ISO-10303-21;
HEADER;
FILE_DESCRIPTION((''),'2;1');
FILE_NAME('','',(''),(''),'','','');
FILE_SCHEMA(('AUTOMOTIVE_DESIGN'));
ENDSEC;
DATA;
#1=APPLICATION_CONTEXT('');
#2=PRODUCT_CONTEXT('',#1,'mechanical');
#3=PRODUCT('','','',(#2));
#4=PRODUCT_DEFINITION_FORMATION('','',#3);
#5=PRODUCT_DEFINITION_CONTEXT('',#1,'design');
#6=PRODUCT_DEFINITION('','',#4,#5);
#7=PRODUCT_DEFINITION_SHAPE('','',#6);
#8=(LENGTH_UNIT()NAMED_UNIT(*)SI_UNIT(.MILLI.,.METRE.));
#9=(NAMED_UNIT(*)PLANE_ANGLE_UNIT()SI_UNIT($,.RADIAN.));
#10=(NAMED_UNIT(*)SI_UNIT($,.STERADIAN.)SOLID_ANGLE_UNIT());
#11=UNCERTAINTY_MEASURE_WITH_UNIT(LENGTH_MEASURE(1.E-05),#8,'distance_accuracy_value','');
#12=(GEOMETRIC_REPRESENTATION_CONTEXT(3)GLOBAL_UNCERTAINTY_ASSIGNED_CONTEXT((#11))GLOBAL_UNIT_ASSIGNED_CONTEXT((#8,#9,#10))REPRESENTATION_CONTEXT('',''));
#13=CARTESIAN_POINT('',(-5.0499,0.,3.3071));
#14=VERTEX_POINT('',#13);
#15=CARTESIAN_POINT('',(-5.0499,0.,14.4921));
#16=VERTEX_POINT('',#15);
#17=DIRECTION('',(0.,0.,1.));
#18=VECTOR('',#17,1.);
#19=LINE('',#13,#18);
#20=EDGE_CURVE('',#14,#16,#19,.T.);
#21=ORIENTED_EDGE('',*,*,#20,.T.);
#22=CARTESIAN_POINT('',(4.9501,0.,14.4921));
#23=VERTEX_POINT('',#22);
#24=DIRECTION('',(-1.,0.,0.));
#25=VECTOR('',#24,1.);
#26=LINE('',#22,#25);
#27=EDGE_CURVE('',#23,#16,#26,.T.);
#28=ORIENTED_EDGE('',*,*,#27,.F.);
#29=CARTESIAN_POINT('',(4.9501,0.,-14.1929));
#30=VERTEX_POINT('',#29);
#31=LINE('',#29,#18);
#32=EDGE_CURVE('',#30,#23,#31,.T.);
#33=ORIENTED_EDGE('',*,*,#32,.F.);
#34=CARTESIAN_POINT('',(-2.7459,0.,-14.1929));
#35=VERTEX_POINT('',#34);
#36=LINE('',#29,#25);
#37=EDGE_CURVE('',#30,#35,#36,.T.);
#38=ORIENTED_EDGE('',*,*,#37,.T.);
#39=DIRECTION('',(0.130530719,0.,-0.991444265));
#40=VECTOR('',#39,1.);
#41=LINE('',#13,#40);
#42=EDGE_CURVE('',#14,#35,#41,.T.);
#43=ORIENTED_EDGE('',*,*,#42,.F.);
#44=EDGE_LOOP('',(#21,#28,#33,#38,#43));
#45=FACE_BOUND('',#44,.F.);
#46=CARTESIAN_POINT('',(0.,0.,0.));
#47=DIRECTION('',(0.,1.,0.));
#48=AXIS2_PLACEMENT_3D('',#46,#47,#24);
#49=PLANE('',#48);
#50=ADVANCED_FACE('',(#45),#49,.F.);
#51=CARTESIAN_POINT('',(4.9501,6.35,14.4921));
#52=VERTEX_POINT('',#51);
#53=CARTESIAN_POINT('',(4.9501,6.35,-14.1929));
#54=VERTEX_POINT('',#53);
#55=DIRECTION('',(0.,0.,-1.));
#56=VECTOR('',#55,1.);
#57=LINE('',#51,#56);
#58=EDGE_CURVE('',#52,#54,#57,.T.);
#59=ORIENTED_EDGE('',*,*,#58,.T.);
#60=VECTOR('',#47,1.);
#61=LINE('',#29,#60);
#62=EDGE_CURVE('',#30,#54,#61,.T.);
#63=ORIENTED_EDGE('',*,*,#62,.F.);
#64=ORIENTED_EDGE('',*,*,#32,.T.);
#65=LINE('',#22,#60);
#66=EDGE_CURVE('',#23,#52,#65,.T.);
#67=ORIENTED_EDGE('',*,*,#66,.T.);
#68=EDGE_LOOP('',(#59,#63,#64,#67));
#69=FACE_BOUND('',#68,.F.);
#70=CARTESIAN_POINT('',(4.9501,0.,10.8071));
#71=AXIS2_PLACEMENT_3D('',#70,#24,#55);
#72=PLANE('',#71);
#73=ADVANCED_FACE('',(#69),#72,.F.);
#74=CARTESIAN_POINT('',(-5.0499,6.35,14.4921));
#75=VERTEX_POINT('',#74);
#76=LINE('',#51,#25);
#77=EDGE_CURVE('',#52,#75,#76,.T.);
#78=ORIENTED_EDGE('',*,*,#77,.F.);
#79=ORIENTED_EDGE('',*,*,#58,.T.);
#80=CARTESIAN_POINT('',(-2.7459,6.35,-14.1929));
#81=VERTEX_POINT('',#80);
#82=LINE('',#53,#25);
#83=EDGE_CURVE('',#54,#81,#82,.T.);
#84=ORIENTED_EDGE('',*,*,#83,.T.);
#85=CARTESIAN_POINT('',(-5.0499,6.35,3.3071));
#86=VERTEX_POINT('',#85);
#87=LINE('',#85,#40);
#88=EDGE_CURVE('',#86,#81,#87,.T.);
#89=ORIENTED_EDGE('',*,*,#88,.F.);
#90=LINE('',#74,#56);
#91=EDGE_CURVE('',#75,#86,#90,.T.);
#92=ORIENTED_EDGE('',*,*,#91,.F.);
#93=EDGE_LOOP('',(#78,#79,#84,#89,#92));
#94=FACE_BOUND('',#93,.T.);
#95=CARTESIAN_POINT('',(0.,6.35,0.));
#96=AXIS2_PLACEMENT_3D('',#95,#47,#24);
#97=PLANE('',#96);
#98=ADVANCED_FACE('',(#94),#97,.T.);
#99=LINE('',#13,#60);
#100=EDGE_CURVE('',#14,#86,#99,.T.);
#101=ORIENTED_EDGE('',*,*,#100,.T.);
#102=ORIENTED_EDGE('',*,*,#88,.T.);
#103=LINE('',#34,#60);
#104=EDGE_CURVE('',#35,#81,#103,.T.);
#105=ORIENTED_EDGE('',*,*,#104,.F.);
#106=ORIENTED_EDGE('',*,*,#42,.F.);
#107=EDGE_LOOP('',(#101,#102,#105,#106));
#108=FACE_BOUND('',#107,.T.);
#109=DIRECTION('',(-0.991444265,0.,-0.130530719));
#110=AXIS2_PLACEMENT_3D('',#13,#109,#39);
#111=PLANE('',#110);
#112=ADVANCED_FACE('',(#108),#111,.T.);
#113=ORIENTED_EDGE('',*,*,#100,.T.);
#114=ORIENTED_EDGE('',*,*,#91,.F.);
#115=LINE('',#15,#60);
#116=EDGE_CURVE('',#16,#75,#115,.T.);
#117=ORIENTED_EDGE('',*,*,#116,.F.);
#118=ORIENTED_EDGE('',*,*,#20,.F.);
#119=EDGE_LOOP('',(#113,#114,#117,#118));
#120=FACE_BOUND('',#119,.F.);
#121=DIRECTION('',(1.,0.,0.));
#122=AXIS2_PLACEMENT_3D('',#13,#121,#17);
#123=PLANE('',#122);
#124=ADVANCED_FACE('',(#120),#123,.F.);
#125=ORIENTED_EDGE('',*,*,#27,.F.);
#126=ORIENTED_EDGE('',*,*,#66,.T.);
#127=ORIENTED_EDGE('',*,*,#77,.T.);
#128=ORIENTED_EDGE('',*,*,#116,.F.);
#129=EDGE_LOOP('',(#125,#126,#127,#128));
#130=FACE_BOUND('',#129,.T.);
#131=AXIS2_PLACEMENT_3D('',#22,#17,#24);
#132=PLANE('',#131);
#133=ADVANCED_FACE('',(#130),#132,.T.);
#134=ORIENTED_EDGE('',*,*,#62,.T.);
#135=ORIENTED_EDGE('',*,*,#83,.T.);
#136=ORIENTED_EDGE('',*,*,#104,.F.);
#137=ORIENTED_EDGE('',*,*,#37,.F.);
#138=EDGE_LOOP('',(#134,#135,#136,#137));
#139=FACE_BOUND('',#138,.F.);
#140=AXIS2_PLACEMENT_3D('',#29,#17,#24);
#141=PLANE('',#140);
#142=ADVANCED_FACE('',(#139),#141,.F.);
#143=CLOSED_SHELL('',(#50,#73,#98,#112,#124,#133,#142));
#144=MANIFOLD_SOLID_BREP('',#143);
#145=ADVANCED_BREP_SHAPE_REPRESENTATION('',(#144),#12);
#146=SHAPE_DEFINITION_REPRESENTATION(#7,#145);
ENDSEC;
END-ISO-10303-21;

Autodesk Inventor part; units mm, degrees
ref_plane "YZ Plane" through (0, 0, 0) normal (1, 0, 0) x (0, 1, 0)
ref_plane "XZ Plane" through (0, 0, 0) normal (0, 1, 0) x (-1, 0, 0)
ref_plane "XY Plane" through (0, 0, 0) normal (0, 0, 1) x (1, 0, 0)
sketch "Sketch4" plane through (0, 0, 0) normal (0, 1, 0) x (-1, 0, 0)
  line L0 (5.0499, 10.8071) -> (-4.9501, 10.8071)
  line L1 (-4.9501, 10.8071) -> (-4.9501, -14.1929)
  line L2 (-4.9501, -14.1929) -> (5.0499, -14.1929)
  line L3 (5.0499, -14.1929) -> (5.0499, 10.8071)
  line L4 (5.0499, 3.3071) -> (-4.9501, 3.3071)
  line L5 (-4.9501, 3.3071) -> (-4.9501, 14.4921)
  line L6 (-4.9501, 14.4921) -> (5.0499, 14.4921)
  line L7 (5.0499, 14.4921) -> (5.0499, 3.3071)
  line L8 (5.0499, 3.3071) -> (2.7459, -14.1929)
  point P0 (0, 0)
  dimension "d12" = 10
  dimension "d13" = 25
  dimension "d14" = 10
extrude "Extrusion7" add sketch "Sketch4" along normal blind 6.35 contours L3 L4 L1 L0 | L0 L5 L6 L7 | L8 L2 L1 L4
properties part number "Stop Skiba"
